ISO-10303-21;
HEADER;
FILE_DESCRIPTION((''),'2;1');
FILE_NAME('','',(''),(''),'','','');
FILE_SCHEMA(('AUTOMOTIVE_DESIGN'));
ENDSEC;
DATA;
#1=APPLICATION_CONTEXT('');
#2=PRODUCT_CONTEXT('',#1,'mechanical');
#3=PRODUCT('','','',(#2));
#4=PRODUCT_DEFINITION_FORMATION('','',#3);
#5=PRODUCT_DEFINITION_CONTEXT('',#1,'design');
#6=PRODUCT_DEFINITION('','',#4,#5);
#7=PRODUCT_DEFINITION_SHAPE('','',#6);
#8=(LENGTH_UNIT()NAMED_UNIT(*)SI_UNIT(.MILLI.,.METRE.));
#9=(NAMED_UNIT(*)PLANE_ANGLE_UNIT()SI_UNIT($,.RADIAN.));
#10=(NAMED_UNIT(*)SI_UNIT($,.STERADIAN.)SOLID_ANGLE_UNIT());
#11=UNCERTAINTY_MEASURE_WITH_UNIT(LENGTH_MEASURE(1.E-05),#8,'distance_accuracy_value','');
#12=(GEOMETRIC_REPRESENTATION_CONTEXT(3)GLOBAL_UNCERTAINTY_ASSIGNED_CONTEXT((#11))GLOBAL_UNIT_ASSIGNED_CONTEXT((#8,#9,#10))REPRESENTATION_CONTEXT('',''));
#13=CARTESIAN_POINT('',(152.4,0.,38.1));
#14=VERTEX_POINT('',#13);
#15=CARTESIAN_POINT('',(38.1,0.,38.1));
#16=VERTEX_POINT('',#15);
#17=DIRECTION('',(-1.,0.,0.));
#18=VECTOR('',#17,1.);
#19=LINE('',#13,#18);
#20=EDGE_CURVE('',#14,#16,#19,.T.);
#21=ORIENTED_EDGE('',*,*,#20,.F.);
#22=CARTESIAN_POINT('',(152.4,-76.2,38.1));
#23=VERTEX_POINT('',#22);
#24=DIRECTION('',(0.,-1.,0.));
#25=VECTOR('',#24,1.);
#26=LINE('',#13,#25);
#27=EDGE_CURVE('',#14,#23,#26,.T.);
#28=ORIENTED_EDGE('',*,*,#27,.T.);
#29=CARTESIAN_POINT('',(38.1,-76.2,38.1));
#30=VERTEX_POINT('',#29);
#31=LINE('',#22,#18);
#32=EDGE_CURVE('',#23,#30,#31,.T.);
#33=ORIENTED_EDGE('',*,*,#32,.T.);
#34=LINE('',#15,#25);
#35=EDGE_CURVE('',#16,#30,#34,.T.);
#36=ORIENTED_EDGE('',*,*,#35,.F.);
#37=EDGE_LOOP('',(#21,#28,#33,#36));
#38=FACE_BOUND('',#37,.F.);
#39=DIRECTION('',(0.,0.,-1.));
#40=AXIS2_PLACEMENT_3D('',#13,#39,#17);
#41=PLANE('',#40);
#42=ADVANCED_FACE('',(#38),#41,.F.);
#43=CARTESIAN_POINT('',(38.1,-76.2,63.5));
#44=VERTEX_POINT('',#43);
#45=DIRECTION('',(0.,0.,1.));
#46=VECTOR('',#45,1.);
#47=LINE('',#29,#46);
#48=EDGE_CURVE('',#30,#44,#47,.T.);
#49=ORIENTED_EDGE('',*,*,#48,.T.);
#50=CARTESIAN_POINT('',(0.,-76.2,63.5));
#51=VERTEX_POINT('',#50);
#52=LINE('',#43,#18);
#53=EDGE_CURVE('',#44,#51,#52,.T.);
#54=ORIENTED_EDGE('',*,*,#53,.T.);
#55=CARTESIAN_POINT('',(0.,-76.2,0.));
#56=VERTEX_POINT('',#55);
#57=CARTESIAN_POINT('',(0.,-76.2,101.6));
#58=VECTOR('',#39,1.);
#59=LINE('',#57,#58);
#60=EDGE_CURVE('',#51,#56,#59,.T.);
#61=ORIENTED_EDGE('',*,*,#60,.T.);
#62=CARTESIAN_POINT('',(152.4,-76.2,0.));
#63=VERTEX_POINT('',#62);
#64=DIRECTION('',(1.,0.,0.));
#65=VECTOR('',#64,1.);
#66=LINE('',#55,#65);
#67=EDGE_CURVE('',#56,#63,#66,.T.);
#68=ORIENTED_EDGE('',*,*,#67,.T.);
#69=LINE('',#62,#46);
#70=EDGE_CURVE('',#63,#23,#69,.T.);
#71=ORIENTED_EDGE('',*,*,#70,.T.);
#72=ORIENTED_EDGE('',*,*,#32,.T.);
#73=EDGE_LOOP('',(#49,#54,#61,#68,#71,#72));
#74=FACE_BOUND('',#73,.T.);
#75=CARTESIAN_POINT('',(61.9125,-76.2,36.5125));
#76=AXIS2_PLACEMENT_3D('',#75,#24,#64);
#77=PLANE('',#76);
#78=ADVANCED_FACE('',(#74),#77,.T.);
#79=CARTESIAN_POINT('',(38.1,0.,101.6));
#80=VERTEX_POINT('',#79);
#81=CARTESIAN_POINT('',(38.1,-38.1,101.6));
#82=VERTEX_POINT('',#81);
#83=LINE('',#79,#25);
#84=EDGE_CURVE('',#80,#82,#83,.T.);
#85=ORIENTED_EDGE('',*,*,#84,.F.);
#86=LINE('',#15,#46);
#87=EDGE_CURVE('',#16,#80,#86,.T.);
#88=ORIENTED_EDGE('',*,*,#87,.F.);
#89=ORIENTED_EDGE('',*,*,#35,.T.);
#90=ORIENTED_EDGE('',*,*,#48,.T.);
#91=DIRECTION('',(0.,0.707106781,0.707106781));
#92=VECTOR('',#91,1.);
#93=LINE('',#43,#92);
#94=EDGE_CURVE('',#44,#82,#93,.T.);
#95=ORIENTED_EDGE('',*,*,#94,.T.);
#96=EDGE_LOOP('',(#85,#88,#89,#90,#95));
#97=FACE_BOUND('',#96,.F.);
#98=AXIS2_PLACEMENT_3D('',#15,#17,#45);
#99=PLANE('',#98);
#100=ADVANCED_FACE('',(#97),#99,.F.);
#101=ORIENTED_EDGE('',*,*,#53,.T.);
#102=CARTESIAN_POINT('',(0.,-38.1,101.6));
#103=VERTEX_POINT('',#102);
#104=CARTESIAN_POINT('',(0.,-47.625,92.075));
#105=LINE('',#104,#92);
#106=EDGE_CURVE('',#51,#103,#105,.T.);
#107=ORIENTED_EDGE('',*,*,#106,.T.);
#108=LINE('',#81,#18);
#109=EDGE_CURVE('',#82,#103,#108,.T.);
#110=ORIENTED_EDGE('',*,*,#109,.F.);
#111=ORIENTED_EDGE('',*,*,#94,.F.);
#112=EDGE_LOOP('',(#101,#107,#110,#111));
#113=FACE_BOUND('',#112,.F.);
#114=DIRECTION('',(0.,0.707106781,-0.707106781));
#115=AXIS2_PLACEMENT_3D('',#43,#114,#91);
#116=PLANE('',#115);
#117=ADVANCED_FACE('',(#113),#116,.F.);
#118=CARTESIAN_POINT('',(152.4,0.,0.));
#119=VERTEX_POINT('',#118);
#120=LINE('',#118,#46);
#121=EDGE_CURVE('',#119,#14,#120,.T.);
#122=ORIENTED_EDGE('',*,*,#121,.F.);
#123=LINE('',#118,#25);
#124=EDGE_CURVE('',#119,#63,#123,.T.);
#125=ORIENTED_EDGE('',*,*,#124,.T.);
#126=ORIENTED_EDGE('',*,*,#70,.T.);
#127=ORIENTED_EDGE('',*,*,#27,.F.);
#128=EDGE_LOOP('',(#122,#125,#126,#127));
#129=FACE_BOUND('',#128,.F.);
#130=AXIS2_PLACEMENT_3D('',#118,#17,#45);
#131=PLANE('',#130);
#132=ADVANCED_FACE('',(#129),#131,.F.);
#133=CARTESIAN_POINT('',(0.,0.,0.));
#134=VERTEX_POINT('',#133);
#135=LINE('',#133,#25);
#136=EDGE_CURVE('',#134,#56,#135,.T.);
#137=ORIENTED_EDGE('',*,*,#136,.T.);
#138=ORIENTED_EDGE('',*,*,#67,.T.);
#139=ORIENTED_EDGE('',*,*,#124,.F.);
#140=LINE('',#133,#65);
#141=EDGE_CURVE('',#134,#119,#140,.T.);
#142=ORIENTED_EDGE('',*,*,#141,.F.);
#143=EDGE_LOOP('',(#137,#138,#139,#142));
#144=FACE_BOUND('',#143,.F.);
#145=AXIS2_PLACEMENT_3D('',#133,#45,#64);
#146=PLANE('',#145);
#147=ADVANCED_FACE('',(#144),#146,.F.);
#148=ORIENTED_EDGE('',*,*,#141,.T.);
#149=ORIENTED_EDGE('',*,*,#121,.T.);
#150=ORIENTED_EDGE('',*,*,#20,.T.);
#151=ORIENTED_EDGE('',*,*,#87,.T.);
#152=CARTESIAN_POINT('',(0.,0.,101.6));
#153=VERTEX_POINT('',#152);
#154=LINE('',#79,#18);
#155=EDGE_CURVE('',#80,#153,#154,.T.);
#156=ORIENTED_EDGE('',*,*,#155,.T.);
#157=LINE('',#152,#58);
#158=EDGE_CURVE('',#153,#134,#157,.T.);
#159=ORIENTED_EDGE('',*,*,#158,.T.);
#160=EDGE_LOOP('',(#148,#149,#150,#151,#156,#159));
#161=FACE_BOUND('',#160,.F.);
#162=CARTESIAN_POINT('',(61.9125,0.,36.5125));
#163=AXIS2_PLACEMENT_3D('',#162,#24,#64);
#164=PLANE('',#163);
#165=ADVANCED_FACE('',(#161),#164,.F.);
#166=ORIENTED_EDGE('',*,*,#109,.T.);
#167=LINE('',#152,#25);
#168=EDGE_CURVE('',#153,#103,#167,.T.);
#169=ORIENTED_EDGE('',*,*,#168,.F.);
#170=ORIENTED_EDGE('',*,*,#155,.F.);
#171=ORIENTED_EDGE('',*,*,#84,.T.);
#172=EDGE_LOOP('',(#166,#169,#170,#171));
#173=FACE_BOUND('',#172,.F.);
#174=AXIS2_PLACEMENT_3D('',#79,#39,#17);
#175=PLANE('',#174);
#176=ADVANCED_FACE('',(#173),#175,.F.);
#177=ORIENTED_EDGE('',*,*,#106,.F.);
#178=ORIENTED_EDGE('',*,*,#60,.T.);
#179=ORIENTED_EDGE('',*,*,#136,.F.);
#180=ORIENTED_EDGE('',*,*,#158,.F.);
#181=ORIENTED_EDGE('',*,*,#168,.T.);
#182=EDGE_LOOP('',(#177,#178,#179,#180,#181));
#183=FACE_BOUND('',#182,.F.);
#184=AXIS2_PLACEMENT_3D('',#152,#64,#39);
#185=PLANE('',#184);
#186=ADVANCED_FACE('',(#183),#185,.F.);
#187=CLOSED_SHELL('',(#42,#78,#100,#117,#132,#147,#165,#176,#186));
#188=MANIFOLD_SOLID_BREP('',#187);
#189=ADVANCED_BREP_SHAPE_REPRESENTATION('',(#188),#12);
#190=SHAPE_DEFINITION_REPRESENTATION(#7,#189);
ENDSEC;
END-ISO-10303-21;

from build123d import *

# Parameters (mm, degrees)
F1_DEPTH = 76.2
F3_DEPTH = 38.101


with BuildPart() as f1:
    # F0 (on Front) → F1 (new body)
    with BuildSketch(Plane.XZ):
        Polygon((0, 101.6), (0, 0), (152.4, 0), (152.4, 38.1), (38.1, 38.1), (38.1, 101.6), align=None)
    extrude(amount=F1_DEPTH)

    # F2 (on face) → F3 (cut, through all)
    with BuildSketch(Plane.YZ.offset(38.1)):
        Polygon((-76.2, 63.5), (-38.1, 101.6), (-76.2, 101.6), align=None)
    extrude(amount=-F3_DEPTH, mode=Mode.SUBTRACT)


solid = f1.part
